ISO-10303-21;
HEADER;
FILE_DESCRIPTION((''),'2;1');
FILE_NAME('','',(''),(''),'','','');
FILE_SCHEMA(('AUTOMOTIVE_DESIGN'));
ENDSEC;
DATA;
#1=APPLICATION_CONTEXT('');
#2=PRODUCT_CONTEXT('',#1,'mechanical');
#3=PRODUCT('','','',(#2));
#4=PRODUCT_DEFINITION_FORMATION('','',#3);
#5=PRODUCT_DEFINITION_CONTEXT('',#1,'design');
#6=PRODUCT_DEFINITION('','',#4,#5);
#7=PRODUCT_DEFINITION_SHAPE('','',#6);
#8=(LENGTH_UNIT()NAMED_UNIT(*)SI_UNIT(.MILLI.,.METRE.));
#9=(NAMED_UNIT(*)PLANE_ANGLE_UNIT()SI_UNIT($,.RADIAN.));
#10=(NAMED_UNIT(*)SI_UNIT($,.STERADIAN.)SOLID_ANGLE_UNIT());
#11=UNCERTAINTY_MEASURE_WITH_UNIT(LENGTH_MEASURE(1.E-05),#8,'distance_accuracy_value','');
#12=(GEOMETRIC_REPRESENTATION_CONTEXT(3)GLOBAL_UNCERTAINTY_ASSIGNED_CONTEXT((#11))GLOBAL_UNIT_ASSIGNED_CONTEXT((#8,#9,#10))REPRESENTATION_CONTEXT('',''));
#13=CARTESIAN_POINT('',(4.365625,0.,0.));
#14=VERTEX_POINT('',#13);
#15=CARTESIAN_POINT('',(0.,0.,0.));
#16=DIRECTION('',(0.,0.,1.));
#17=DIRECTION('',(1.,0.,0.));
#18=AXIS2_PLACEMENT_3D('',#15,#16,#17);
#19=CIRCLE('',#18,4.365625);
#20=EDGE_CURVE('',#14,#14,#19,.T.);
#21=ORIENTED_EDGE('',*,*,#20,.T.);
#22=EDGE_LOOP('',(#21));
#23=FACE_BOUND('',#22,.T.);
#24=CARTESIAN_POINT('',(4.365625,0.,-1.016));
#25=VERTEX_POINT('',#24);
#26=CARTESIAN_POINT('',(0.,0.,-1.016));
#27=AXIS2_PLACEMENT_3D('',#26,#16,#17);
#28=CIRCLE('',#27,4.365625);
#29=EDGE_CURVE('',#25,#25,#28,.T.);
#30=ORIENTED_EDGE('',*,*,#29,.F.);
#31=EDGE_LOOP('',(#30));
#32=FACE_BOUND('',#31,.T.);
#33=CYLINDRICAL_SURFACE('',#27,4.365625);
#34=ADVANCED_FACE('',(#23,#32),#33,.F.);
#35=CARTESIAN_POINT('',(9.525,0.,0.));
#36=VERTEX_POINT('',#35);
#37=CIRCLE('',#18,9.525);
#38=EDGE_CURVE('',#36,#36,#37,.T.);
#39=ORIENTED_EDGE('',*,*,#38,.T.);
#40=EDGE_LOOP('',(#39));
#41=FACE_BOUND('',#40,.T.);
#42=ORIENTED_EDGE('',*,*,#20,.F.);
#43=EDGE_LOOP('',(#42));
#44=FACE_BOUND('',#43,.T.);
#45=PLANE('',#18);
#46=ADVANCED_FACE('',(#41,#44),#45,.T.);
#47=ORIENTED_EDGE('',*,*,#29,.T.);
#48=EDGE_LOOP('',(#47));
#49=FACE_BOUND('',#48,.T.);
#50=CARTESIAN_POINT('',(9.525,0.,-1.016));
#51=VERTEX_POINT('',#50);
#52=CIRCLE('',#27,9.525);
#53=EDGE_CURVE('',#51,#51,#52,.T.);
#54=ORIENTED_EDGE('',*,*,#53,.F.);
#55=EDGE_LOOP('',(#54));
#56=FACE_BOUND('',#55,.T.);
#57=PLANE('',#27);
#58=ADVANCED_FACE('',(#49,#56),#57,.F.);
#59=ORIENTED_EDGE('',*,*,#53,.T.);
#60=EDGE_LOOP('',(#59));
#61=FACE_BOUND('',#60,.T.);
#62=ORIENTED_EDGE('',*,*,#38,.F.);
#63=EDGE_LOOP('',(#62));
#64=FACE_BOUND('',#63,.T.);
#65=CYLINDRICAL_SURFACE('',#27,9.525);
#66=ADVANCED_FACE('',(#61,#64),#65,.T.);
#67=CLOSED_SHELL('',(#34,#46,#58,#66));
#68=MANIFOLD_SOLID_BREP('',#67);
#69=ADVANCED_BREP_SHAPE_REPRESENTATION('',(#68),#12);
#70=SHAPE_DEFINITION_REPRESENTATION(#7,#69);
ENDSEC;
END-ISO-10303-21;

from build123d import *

# Parameters (mm, degrees)
SKETCH1_R      = 9.525
SKETCH1_R_2    = 4.365625
EXTRUDE1_DEPTH = 1.016


with BuildPart() as part:
    # Sketch1 → Extrude1 (new body)
    with BuildSketch(Plane.XY):
        Circle(SKETCH1_R)
        Circle(SKETCH1_R_2, mode=Mode.SUBTRACT)
    extrude(amount=-EXTRUDE1_DEPTH)


solid = part.part
